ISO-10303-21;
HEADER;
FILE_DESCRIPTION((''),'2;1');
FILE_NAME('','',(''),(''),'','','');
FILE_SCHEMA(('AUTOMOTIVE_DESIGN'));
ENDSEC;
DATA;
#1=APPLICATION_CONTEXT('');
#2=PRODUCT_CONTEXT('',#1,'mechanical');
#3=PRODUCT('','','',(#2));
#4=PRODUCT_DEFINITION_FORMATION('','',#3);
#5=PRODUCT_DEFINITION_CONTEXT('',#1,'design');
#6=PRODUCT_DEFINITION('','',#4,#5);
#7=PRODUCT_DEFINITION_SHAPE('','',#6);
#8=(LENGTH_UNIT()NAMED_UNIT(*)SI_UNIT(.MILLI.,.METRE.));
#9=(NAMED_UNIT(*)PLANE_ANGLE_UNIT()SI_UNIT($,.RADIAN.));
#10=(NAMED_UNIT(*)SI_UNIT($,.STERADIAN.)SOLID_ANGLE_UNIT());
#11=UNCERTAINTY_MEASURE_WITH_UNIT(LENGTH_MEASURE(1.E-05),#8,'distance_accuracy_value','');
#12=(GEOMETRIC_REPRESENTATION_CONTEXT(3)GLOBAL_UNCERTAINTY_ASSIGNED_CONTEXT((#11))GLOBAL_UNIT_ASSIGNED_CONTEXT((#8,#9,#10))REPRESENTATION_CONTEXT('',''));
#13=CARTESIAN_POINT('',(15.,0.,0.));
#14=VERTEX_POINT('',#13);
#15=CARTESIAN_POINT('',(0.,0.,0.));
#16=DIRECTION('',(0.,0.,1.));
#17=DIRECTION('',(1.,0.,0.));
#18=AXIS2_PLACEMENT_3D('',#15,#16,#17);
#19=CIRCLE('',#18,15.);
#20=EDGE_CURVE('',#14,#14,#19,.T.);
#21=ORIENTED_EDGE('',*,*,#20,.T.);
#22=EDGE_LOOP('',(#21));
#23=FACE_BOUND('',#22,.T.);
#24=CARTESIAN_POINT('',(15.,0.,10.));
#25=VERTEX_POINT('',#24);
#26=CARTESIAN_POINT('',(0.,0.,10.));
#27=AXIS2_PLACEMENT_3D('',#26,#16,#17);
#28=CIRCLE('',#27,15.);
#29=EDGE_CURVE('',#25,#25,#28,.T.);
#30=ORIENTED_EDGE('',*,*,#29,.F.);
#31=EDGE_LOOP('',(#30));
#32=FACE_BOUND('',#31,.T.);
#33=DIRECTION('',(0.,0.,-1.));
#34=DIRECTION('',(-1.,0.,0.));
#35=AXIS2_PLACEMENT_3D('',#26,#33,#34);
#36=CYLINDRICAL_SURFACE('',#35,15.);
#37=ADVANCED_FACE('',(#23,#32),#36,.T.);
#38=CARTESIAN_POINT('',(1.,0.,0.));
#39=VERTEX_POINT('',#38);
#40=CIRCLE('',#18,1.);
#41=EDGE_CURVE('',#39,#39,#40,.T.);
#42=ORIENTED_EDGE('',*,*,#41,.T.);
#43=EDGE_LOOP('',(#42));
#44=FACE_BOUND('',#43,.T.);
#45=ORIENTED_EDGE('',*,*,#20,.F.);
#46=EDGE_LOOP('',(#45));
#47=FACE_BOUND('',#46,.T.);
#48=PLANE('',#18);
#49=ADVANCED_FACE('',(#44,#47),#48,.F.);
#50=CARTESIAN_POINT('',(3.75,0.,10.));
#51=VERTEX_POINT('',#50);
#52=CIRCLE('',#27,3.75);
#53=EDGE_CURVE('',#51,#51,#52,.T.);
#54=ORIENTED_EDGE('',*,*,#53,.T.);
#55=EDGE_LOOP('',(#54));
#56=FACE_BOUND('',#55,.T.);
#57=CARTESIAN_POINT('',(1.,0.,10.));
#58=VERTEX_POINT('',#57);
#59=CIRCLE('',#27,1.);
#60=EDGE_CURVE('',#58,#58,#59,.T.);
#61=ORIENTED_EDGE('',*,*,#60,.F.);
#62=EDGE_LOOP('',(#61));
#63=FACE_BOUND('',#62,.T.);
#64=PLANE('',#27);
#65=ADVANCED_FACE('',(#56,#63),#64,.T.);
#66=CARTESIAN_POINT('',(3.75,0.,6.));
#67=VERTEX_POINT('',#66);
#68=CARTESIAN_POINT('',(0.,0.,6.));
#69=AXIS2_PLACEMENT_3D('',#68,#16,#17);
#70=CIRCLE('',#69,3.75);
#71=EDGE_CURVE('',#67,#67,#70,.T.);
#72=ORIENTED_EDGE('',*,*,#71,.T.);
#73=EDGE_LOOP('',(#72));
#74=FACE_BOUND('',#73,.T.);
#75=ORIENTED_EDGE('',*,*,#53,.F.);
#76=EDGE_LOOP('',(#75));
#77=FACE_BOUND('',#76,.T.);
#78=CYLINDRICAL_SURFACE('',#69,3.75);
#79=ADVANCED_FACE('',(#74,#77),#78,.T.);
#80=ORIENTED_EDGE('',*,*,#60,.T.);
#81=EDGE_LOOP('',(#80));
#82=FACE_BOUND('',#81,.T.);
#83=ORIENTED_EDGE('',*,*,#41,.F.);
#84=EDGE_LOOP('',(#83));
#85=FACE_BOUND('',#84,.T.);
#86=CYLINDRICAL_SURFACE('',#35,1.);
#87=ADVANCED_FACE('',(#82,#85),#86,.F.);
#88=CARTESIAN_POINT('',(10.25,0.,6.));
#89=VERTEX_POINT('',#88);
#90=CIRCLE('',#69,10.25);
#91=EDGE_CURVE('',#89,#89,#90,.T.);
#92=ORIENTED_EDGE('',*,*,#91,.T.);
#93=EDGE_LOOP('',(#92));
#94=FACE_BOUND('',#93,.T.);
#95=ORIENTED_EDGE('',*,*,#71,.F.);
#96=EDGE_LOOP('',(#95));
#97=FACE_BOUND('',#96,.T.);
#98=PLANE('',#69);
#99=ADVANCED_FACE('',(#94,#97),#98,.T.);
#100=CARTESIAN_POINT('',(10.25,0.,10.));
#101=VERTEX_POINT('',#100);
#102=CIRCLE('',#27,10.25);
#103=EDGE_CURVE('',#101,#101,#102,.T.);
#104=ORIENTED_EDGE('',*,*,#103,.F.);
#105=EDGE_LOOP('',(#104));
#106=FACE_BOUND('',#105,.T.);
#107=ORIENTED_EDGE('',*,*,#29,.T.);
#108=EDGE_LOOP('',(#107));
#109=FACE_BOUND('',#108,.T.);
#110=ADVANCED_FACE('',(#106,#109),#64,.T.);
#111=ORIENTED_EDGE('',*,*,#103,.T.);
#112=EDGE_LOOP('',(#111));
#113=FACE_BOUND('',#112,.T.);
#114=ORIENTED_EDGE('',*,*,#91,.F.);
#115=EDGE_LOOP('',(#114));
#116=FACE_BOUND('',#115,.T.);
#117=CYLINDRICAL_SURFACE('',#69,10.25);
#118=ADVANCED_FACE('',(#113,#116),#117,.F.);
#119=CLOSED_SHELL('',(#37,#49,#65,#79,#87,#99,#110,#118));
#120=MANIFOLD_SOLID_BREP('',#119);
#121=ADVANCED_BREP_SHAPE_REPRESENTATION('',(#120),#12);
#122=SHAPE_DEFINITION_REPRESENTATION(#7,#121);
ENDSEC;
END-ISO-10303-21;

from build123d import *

# Parameters (mm, degrees)
ESBO_O1_R                = 15
ESBO_O1_R_2              = 1
RESSALTO_EXTRUS_O1_DEPTH = 10
ESBO_O2_R                = 10.25
ESBO_O2_R_2              = 3.75
CORTE_EXTRUS_O1_DEPTH    = 4


with BuildPart() as part:
    # Esboço1 → Ressalto-extrusão1 (new body)
    with BuildSketch(Plane.XY):
        Circle(ESBO_O1_R)
        Circle(ESBO_O1_R_2, mode=Mode.SUBTRACT)
    extrude(amount=RESSALTO_EXTRUS_O1_DEPTH)

    # Esboço2 → Corte-extrusão1 (cut)
    with BuildSketch(Plane.XY.offset(10)):
        Circle(ESBO_O2_R)
        Circle(ESBO_O2_R_2, mode=Mode.SUBTRACT)
    extrude(amount=-CORTE_EXTRUS_O1_DEPTH, mode=Mode.SUBTRACT)


solid = part.part
